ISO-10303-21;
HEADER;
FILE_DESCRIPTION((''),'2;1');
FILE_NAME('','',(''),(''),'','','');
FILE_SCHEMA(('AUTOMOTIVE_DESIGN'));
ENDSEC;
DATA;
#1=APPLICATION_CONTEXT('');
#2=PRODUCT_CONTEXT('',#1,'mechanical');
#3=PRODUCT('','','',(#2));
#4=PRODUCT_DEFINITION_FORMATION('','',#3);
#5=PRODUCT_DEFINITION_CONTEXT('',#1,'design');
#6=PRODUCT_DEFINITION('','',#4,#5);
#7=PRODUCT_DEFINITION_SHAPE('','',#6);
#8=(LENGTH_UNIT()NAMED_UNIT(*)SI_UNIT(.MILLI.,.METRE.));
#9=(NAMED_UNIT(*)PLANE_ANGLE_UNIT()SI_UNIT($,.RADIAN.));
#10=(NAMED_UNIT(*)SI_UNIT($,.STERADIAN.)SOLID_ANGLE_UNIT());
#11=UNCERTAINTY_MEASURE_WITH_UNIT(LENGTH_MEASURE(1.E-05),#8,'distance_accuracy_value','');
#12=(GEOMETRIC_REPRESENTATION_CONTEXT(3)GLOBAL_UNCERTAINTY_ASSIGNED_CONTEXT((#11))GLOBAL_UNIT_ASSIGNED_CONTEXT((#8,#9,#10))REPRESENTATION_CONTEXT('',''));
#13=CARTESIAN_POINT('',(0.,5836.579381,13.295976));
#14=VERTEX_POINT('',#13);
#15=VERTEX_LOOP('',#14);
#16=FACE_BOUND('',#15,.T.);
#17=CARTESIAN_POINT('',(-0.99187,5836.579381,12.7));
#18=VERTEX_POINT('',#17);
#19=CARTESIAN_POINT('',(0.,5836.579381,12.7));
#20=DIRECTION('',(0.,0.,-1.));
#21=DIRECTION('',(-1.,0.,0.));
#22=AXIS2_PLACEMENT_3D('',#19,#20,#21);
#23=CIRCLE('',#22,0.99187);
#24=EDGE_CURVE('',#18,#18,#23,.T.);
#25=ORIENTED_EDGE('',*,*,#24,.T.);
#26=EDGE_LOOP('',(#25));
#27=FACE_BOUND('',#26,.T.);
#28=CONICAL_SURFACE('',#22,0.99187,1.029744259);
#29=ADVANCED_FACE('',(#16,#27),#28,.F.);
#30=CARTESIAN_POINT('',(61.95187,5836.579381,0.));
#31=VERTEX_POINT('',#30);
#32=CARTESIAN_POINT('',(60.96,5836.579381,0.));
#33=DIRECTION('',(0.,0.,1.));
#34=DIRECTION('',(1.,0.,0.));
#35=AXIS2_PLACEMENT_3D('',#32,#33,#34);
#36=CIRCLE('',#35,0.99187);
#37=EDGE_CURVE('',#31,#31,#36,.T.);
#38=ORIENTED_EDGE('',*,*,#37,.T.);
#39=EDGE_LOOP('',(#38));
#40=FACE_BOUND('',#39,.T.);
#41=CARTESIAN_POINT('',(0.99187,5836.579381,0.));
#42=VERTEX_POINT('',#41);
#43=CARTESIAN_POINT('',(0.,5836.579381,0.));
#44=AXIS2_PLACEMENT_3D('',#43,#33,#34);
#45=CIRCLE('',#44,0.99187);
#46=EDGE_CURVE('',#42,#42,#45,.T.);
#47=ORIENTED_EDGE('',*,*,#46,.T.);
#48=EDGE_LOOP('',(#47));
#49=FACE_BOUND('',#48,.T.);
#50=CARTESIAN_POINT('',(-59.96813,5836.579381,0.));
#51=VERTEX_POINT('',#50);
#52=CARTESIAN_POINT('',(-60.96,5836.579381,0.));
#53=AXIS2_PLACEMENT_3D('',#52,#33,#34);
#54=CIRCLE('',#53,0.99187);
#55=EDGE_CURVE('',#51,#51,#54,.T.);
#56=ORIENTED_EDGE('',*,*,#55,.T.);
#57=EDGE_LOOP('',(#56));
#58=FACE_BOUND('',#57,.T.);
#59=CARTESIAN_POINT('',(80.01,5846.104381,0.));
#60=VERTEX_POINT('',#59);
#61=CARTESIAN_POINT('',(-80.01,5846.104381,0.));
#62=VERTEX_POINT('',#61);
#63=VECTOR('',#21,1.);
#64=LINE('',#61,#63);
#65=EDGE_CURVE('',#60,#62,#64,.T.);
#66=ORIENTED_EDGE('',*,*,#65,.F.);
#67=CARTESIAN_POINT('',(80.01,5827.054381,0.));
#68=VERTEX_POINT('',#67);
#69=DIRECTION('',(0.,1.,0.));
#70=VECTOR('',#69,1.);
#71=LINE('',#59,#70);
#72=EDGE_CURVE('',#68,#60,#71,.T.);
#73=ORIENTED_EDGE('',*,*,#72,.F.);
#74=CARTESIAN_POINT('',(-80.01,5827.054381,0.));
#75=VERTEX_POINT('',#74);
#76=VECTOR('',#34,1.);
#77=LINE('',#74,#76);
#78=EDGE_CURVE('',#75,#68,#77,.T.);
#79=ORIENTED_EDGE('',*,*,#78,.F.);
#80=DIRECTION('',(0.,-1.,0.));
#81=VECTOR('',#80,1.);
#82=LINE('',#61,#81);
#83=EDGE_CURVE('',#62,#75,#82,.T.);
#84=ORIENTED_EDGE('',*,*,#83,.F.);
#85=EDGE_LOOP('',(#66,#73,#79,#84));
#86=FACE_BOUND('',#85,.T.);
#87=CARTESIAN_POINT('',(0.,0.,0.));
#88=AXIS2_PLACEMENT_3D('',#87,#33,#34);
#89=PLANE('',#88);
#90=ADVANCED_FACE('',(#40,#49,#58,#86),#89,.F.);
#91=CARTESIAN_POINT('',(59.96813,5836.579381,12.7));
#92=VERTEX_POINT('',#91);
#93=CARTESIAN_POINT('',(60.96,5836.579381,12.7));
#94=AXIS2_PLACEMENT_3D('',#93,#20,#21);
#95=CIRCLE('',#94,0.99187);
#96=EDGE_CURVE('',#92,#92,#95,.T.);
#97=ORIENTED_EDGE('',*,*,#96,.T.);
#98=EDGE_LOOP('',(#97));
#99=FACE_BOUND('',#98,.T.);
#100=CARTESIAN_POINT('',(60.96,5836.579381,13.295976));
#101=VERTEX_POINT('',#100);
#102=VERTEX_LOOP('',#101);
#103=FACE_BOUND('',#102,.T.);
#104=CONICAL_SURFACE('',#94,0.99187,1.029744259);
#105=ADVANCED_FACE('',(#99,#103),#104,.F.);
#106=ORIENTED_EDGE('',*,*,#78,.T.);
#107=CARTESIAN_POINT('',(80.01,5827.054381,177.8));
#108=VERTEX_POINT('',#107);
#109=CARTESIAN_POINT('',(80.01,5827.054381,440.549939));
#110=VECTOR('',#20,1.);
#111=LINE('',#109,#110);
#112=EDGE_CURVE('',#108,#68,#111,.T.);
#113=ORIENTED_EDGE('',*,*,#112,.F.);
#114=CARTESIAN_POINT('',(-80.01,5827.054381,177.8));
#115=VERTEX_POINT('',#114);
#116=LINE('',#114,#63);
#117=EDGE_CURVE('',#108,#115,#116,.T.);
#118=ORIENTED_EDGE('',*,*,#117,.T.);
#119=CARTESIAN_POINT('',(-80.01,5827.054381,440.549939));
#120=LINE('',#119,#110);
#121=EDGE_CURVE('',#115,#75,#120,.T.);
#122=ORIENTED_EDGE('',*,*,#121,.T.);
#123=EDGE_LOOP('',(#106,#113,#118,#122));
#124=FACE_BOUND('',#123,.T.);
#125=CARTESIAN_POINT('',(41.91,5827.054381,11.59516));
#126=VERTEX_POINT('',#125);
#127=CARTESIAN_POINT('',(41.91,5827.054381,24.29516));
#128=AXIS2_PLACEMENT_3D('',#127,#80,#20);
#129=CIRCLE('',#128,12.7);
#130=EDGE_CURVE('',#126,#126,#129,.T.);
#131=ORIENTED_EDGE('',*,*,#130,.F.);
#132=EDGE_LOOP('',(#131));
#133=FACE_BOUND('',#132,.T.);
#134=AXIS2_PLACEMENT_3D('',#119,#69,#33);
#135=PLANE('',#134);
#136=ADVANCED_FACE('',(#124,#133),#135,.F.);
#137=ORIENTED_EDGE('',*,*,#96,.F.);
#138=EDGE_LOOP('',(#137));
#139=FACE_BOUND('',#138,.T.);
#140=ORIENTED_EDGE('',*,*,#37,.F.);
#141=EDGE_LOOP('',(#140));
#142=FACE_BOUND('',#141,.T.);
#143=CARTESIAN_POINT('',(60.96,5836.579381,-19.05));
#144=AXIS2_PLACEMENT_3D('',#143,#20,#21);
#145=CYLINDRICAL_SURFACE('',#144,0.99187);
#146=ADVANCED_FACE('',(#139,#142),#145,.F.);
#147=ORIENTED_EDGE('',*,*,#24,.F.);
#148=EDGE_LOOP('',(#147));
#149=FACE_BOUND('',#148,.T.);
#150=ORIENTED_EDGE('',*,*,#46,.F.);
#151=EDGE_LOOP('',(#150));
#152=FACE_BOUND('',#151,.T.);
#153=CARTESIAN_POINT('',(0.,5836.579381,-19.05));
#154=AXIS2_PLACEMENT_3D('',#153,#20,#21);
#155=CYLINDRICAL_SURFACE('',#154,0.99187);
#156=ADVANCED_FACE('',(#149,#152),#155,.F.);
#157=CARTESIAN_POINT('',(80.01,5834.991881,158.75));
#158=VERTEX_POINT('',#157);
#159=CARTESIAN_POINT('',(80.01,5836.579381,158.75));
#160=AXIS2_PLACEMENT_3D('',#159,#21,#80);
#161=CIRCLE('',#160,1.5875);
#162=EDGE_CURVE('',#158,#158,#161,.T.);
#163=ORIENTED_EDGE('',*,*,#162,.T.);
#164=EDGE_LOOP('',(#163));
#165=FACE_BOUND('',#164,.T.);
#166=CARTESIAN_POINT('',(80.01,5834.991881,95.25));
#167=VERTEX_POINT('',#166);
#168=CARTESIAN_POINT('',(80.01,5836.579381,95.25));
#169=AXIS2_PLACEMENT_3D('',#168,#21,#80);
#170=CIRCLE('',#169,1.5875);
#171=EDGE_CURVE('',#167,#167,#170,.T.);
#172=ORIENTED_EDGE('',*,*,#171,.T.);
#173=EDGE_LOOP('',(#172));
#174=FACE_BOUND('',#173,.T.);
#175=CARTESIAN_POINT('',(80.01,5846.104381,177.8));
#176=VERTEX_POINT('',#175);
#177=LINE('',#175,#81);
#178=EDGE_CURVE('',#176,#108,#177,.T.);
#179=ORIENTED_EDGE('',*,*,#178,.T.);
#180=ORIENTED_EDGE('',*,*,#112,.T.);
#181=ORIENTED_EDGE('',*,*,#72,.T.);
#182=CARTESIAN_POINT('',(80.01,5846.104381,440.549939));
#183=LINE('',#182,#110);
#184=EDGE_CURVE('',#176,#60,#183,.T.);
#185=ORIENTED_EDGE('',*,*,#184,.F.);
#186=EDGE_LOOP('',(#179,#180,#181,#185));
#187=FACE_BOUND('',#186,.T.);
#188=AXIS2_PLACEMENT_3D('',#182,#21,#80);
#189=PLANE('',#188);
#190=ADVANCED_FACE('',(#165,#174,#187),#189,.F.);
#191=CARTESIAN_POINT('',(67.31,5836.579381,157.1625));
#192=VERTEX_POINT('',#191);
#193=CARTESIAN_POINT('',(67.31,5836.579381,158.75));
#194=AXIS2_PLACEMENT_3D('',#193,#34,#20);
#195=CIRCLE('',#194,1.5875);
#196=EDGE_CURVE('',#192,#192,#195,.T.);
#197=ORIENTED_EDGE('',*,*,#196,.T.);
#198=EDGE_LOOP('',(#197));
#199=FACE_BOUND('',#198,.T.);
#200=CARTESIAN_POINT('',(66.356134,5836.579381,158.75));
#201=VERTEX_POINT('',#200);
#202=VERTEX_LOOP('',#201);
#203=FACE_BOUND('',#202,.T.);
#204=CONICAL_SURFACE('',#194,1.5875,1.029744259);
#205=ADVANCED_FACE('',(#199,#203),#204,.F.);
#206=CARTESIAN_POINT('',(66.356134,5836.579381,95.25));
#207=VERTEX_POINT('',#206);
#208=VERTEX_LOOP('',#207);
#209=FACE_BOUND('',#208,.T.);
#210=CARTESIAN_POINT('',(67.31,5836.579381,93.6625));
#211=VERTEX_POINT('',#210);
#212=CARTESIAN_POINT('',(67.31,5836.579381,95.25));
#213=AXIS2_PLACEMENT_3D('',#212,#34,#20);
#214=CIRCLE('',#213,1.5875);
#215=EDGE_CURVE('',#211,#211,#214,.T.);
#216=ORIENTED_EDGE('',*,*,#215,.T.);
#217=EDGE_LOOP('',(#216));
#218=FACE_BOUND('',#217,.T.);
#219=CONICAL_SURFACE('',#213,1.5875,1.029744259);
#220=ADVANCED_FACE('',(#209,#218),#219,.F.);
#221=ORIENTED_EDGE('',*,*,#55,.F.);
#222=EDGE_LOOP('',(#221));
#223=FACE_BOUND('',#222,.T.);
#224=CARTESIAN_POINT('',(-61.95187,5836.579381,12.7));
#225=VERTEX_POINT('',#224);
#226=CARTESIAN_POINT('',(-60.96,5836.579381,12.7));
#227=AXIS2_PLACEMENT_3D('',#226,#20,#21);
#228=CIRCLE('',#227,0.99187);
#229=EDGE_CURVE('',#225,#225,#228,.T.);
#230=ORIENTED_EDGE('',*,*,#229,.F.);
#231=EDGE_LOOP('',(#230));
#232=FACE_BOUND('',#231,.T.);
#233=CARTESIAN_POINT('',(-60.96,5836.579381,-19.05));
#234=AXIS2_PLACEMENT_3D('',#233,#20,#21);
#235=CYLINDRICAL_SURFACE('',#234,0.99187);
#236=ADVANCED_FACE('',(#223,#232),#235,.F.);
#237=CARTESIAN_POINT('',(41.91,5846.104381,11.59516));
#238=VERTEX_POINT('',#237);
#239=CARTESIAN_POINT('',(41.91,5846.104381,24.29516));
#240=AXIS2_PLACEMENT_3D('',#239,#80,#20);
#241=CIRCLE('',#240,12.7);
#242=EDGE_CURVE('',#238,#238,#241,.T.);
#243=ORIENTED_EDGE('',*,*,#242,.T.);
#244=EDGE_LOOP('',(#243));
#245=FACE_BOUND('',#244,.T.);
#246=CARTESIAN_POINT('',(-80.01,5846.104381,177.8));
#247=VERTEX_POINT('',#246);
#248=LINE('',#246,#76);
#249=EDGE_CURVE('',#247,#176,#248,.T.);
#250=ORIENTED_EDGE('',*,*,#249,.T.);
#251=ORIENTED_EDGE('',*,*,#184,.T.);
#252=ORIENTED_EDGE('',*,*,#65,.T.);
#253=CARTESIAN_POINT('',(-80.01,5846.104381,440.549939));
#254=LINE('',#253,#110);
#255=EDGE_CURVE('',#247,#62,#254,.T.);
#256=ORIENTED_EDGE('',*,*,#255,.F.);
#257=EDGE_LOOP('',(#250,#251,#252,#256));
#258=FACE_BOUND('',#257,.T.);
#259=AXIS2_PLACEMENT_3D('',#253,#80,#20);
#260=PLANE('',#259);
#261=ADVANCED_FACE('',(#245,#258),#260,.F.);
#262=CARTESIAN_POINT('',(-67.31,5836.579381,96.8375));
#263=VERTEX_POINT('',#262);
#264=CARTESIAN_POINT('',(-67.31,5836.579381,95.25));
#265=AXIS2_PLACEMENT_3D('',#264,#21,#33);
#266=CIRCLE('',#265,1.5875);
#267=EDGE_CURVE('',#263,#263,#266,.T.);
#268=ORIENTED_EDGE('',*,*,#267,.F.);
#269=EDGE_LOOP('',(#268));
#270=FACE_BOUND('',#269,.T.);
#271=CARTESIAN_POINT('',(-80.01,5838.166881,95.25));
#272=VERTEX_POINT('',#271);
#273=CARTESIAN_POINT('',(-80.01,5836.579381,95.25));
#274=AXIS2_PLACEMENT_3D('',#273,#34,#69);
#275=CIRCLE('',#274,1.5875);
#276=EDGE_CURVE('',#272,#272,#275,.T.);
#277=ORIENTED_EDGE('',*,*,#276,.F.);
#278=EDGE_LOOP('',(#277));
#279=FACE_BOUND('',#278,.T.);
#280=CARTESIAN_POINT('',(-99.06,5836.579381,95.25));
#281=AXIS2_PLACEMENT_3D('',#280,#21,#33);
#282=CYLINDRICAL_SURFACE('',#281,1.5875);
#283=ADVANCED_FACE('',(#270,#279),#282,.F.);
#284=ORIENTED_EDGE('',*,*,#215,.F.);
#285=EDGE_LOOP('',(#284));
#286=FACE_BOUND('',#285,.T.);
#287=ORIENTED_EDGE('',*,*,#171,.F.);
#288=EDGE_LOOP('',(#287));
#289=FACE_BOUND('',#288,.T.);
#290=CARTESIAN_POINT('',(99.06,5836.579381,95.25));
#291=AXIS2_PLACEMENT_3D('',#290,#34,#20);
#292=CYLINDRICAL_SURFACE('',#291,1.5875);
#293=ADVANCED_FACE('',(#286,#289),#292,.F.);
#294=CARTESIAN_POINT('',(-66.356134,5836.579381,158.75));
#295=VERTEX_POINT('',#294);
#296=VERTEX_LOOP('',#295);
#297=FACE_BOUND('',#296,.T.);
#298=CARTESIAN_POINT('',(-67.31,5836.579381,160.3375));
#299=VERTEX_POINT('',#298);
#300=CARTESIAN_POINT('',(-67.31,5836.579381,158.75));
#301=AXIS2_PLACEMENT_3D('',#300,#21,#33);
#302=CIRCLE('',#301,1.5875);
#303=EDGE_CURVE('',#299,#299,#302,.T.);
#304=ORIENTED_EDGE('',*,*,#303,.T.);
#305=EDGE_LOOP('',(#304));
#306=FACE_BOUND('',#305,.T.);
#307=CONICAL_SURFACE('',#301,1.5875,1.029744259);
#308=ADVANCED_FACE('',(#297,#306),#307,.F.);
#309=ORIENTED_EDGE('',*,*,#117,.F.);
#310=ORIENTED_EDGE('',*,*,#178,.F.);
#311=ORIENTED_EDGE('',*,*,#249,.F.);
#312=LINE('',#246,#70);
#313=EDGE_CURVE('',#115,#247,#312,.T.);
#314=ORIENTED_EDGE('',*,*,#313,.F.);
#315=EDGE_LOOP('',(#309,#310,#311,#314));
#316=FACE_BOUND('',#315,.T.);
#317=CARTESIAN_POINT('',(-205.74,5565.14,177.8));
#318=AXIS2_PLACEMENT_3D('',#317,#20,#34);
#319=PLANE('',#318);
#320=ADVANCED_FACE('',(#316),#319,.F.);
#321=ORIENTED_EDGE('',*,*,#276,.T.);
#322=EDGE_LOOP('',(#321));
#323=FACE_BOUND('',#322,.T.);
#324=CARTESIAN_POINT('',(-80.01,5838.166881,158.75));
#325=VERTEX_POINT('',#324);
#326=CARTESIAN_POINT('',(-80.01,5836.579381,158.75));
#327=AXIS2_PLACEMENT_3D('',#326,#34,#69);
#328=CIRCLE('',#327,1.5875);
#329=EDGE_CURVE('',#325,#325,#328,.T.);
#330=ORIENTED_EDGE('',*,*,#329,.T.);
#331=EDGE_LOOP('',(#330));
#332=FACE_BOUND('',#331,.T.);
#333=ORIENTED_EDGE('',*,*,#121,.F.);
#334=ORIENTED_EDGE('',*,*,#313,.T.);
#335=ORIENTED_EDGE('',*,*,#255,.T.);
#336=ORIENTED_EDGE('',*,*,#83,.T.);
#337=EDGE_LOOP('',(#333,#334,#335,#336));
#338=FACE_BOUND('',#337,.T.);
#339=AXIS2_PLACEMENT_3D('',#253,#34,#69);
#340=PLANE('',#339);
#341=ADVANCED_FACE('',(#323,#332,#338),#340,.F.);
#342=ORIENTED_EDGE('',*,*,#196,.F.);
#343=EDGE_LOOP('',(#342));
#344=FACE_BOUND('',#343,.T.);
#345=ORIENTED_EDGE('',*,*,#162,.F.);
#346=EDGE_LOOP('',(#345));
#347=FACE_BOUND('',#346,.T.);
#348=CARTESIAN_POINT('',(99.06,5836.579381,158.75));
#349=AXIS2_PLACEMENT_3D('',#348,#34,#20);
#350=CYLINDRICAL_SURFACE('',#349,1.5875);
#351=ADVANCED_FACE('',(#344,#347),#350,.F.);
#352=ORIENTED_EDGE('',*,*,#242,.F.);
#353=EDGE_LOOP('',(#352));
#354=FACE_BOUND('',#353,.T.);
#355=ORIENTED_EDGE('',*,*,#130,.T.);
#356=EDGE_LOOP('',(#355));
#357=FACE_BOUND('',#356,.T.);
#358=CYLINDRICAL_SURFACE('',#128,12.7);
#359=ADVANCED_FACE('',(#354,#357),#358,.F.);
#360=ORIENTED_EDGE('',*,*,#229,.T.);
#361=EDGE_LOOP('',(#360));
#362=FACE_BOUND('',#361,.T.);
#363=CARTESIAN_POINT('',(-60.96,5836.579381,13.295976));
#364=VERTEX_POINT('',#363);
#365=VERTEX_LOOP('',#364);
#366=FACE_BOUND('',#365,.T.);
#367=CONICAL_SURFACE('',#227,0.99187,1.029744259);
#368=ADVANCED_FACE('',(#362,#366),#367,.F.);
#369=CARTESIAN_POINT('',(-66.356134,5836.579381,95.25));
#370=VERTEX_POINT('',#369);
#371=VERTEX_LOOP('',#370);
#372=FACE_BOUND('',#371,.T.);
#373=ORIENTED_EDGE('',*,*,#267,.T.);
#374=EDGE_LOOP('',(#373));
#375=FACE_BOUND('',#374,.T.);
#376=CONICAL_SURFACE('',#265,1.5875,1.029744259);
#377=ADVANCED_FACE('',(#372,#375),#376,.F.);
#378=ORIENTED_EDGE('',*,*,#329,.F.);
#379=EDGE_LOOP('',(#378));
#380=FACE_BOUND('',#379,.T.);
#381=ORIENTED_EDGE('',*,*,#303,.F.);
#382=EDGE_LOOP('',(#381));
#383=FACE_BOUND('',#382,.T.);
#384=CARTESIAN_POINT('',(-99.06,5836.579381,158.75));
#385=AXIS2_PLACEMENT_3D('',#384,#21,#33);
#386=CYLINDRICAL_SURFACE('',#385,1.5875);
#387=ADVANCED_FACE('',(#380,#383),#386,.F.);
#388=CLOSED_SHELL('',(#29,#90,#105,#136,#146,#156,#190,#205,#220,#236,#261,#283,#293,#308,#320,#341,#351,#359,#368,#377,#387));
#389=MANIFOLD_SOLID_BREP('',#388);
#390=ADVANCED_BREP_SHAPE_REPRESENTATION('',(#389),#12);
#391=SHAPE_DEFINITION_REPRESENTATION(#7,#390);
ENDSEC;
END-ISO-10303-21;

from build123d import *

# Parameters (mm, degrees)
SKETCH1_W                  = 160.02
SKETCH1_H                  = 19.05
BOSS_EXTRUDE1_DEPTH        = 177.8
HOLE1_D                    = 1.98374
HOLE1_DEPTH                = 31.75
HOLE1_CSINK_D              = 10.16
HOLE1_CSINK_ANGLE          = 82
HOLE1_TIP                  = 0.595975622
HOLE3_D                    = 3.175
HOLE3_DEPTH                = 31.75
HOLE3_CSINK_D              = 10.16
HOLE3_CSINK_ANGLE          = 82
HOLE3_TIP                  = 0.953866233
HOLE4_D                    = 3.175
HOLE4_DEPTH                = 31.75
HOLE4_CSINK_D              = 10.16
HOLE4_CSINK_ANGLE          = 82
HOLE4_TIP                  = 0.953866233
F_1_1_DIAMETER_HOLE1_D     = 25.4
F_1_1_DIAMETER_HOLE1_DEPTH = 19.05


with BuildPart() as part:
    # Sketch1 → Boss-Extrude1 (new body)
    with BuildSketch(Plane.XY):
        with Locations((0, 5836.579380546)):
            Rectangle(SKETCH1_W, SKETCH1_H)
    extrude(amount=BOSS_EXTRUDE1_DEPTH)

    # Hole1
    with Locations(Plane(origin=(0, 0, -19.05), x_dir=(-1, 0, 0), z_dir=(0, 0, -1))):
        with Locations((0.162188158, 5756.275), (0, 5926.455000144), (-203.2, 5926.455000144), (-406.4, 5926.455000144), (-406.562188158, 5756.275), (-203.362188158, 5756.275), (-359.617959774, 5737.225), (-428.613879322, 5737.225), (-421.257783583, 5578.475), (-319.657783583, 5578.475), (-116.457783583, 5578.475), (-424.072610901, 5559.425), (-358.104203634, 5559.425), (-418.230271303, 5400.675), (-316.630271303, 5400.675), (-113.430271303, 5400.675), (-419.531342481, 5381.625), (-356.590447494, 5381.625), (-415.202759023, 5222.875), (-313.602759023, 5222.875), (-110.402759023, 5222.875), (-414.990074061, 5203.825), (-355.076691354, 5203.825), (355.076691354, 5203.825), (414.990074061, 5203.825), (110.402759023, 5222.875), (313.602759023, 5222.875), (415.202759023, 5222.875), (356.590447494, 5381.625), (419.531342481, 5381.625), (113.430271303, 5400.675), (316.630271303, 5400.675), (418.230271303, 5400.675), (358.104203634, 5559.425), (424.072610901, 5559.425), (116.457783583, 5578.475), (319.657783583, 5578.475), (421.257783583, 5578.475), (428.613879322, 5737.225), (359.617959774, 5737.225), (203.362188158, 5756.275), (406.562188158, 5756.275), (406.4, 5926.455000144), (203.2, 5926.455000144), (-0.162188158, 5756.275), (0, 5836.579380546), (-60.96, 5836.579380546), (60.96, 5836.579380546)):
            CounterSinkHole(HOLE1_D / 2, HOLE1_CSINK_D / 2, depth=HOLE1_DEPTH, counter_sink_angle=HOLE1_CSINK_ANGLE)
            with Locations((0, 0, -(HOLE1_DEPTH + HOLE1_TIP / 2))):  # 118° drill point
                Cone(0, HOLE1_D / 2, HOLE1_TIP, mode=Mode.SUBTRACT)

    # Hole3
    with Locations(Plane(origin=(99.06, 0, -2683.51), x_dir=(0, 0, -1), z_dir=(1, 0, 0))):
        with Locations((-2778.76, 5836.579380546), (-2842.26, 5836.579380546)):
            CounterSinkHole(HOLE3_D / 2, HOLE3_CSINK_D / 2, depth=HOLE3_DEPTH, counter_sink_angle=HOLE3_CSINK_ANGLE)
            with Locations((0, 0, -(HOLE3_DEPTH + HOLE3_TIP / 2))):  # 118° drill point
                Cone(0, HOLE3_D / 2, HOLE3_TIP, mode=Mode.SUBTRACT)

    # Hole4
    with Locations(Plane(origin=(-99.06, 0, -2683.51), x_dir=(0, 0, 1), z_dir=(-1, 0, 0))):
        with Locations((2778.76, 5836.579380546), (2842.26, 5836.579380546)):
            CounterSinkHole(HOLE4_D / 2, HOLE4_CSINK_D / 2, depth=HOLE4_DEPTH, counter_sink_angle=HOLE4_CSINK_ANGLE)
            with Locations((0, 0, -(HOLE4_DEPTH + HOLE4_TIP / 2))):  # 118° drill point
                Cone(0, HOLE4_D / 2, HOLE4_TIP, mode=Mode.SUBTRACT)

    # 1 (1) Diameter Hole1
    with Locations(Plane(origin=(0, 5827.054380546, 0), x_dir=(-1, 0, 0), z_dir=(0, -1, 0))):
        with Locations((-41.91, -24.295160427)):
            Hole(F_1_1_DIAMETER_HOLE1_D / 2, depth=F_1_1_DIAMETER_HOLE1_DEPTH)


solid = part.part
